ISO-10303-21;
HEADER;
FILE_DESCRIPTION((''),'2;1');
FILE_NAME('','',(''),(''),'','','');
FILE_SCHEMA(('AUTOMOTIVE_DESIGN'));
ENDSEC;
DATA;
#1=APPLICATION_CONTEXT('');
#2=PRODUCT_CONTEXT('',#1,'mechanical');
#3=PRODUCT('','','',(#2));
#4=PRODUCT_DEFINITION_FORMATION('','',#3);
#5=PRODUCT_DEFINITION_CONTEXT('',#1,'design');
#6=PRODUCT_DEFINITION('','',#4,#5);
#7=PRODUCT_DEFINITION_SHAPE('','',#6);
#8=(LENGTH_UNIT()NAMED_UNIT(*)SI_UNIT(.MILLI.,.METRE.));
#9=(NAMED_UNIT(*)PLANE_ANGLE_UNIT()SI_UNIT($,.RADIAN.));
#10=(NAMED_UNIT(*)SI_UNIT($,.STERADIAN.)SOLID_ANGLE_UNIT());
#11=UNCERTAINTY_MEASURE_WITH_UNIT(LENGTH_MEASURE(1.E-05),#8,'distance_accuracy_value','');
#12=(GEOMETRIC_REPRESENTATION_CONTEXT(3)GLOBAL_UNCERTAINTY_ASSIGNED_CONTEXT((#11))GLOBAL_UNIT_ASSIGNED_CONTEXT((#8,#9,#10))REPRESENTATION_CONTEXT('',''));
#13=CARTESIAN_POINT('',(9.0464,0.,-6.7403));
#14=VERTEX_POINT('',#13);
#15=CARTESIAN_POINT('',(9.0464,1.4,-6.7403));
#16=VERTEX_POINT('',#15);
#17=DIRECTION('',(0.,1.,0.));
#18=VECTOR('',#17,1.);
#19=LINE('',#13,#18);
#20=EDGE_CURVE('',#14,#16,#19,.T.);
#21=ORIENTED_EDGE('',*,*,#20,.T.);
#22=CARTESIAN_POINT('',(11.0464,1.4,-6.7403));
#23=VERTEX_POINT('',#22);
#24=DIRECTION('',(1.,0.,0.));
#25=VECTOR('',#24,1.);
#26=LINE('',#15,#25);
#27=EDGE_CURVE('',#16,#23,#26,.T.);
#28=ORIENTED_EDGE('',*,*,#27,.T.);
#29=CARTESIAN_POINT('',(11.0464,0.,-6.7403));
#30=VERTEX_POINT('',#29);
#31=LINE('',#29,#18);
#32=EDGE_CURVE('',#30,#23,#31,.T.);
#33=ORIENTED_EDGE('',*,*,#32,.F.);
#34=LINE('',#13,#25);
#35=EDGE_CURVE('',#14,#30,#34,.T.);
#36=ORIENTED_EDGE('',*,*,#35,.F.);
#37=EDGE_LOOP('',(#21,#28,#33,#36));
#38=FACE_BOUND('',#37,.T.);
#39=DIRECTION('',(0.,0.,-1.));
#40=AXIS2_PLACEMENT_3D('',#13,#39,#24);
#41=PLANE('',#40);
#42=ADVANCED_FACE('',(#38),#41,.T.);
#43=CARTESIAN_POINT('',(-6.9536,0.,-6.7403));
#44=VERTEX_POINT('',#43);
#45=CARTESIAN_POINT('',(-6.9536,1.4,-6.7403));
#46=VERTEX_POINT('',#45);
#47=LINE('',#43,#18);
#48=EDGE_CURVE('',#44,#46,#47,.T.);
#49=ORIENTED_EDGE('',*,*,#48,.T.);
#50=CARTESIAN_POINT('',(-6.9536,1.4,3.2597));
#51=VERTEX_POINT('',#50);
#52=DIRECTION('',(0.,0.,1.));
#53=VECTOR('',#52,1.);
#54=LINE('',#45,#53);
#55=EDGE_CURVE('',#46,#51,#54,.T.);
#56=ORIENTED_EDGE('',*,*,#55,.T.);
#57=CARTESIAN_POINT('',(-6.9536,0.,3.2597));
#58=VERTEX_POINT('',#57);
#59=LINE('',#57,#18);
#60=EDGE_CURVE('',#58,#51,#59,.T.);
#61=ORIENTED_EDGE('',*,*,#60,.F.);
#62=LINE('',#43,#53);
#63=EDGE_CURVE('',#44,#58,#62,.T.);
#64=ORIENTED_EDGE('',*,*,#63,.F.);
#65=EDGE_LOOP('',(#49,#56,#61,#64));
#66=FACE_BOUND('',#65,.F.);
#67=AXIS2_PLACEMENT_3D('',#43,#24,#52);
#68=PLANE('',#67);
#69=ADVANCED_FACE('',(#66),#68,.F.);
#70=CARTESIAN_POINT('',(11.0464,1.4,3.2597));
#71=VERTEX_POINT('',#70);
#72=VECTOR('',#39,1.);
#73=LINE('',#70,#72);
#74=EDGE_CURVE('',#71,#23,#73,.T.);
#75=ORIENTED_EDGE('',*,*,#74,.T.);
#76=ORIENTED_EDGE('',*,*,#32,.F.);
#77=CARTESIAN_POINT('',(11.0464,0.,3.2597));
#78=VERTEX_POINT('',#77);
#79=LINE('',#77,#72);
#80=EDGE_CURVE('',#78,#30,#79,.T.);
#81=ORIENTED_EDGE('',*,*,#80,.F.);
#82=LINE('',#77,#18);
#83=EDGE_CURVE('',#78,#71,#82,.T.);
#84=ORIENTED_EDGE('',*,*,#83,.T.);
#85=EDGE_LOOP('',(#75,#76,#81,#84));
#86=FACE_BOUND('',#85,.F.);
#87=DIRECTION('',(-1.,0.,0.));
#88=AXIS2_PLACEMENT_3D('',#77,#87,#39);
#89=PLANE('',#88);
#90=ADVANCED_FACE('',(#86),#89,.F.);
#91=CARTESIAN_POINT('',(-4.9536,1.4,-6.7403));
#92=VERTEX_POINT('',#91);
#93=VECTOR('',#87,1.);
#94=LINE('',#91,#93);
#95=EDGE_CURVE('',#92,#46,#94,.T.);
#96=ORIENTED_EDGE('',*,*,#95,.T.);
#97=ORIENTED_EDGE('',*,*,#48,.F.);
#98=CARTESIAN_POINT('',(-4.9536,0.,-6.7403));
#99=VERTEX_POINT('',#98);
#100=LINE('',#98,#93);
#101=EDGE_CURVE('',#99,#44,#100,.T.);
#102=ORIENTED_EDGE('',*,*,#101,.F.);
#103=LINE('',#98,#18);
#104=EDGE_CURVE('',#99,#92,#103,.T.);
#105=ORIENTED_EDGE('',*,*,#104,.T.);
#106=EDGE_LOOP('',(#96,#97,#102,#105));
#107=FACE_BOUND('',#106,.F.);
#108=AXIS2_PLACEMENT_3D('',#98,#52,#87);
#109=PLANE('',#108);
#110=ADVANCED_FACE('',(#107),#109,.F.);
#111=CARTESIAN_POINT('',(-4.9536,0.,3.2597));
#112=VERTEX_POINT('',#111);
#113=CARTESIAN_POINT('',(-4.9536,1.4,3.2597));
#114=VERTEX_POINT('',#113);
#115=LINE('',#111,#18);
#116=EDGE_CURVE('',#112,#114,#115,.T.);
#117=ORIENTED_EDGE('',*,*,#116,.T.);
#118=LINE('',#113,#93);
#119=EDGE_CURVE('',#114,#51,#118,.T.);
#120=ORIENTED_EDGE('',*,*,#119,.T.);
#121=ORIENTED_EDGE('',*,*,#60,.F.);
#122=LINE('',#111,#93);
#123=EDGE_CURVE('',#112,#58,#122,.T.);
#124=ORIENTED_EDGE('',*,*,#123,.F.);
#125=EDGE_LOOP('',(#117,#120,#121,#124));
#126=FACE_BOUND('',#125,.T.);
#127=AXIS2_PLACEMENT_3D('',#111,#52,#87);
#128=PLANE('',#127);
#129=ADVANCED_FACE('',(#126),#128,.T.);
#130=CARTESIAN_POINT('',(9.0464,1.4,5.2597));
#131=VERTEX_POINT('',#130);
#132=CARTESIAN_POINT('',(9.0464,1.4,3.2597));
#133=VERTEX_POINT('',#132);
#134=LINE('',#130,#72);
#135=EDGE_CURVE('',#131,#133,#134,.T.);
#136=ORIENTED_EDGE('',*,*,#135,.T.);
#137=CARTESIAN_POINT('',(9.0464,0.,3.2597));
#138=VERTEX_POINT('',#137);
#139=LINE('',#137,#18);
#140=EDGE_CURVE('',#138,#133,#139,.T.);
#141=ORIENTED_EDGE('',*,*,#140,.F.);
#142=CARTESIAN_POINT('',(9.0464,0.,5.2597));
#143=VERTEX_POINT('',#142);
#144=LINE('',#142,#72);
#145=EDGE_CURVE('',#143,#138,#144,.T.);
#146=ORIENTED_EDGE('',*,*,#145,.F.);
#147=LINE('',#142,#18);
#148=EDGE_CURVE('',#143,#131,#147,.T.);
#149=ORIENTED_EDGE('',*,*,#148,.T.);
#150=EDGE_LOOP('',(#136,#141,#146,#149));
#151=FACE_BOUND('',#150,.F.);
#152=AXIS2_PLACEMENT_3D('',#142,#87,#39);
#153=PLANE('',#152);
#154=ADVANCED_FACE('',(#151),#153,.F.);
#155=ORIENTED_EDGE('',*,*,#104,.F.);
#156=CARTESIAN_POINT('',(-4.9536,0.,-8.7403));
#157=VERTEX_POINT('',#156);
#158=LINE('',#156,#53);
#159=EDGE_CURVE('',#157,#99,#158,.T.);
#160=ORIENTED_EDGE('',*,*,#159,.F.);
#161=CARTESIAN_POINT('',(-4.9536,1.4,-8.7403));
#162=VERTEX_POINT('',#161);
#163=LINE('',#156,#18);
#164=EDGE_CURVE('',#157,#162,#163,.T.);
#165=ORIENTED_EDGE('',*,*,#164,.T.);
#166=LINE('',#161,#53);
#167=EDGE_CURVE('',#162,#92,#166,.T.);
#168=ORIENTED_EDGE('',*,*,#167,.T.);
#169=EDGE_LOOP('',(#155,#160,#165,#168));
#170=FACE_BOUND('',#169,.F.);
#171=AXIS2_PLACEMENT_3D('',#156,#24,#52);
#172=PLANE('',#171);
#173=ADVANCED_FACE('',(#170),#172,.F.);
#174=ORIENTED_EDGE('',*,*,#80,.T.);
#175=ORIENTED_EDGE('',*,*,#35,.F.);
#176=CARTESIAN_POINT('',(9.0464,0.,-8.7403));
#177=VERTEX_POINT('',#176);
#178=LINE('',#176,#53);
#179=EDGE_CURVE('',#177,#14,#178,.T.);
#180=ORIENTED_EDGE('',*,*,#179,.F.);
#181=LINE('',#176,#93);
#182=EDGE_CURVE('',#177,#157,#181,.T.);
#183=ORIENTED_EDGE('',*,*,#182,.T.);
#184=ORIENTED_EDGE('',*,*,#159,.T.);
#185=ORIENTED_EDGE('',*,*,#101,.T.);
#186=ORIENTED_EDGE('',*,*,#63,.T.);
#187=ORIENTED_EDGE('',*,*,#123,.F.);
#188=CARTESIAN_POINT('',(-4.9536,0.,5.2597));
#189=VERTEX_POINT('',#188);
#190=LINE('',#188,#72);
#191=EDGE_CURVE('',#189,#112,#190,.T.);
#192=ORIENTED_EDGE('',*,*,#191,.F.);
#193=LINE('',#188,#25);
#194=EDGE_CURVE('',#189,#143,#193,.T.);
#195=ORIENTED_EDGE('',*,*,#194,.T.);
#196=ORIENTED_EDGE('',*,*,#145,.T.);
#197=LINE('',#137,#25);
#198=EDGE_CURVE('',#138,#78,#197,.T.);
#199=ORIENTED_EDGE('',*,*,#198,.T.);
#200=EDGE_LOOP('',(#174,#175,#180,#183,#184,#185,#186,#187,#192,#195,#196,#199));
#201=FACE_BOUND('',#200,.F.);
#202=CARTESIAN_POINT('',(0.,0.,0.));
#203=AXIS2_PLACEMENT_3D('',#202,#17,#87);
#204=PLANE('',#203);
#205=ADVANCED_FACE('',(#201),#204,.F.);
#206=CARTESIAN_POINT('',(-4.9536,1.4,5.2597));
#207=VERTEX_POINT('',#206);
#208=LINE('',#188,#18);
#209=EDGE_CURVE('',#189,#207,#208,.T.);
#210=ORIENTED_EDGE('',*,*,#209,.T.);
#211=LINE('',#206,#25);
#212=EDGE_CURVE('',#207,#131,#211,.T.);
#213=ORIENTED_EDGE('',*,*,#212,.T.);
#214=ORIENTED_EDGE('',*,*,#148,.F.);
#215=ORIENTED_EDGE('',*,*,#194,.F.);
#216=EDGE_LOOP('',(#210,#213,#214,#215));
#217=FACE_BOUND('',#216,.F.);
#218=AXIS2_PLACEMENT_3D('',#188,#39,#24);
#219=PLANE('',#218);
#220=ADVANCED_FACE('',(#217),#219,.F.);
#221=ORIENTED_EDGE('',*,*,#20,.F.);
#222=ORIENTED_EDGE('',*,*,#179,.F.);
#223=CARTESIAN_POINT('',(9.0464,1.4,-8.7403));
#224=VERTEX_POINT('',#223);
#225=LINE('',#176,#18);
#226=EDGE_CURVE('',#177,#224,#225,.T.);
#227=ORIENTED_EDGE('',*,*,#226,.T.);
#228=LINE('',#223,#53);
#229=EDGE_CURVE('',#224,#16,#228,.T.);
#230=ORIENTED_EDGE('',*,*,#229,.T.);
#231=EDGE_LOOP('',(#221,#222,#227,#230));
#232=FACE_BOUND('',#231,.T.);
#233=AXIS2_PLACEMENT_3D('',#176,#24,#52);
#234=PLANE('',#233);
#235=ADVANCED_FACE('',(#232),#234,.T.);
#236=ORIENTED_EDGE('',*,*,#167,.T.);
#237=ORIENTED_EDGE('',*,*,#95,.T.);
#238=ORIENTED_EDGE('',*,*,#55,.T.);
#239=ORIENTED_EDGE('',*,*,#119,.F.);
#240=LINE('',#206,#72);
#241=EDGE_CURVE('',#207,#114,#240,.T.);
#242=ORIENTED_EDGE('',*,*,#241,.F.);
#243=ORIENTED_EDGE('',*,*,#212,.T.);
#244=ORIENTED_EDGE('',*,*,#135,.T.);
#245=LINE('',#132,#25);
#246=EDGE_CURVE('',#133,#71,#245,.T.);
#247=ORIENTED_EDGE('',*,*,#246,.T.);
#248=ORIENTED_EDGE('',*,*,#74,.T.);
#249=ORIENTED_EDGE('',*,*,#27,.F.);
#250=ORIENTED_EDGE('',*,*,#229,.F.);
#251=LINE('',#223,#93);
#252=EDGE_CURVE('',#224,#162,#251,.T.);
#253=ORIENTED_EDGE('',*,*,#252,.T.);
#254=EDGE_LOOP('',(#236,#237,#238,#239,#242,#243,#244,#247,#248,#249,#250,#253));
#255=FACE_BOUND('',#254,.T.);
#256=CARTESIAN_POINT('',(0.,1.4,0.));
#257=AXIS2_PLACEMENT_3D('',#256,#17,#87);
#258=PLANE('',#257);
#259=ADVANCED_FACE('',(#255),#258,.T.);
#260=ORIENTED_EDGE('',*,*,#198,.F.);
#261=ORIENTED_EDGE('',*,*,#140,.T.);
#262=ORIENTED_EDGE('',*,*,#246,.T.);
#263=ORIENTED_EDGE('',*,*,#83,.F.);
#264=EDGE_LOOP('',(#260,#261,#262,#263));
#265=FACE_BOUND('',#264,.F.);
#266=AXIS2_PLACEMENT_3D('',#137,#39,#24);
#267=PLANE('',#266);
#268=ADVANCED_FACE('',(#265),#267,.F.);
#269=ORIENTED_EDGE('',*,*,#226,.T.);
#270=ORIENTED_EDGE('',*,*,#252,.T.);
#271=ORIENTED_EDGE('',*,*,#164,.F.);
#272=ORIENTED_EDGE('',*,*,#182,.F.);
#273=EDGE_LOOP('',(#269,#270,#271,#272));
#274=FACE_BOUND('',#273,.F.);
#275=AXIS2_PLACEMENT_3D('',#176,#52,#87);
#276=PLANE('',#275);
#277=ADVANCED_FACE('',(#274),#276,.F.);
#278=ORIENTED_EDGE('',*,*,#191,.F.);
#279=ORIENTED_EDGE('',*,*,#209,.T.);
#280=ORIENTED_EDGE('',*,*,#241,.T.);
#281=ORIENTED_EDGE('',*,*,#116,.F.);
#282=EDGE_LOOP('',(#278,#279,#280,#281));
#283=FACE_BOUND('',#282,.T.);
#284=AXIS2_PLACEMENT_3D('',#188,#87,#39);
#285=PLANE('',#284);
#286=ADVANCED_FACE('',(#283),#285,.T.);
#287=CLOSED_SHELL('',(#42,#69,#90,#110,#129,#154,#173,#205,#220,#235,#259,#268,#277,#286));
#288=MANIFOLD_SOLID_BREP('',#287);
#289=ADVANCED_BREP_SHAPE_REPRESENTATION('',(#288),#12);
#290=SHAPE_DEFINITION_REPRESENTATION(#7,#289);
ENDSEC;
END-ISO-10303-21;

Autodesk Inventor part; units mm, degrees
ref_plane "YZ Plane" through (0, 0, 0) normal (1, 0, 0) x (0, 1, 0)
ref_plane "XZ Plane" through (0, 0, 0) normal (0, 1, 0) x (-1, 0, 0)
ref_plane "XY Plane" through (0, 0, 0) normal (0, 0, 1) x (1, 0, 0)
sketch "Esquisse1" plane through (0, 0, 0) normal (0, 1, 0) x (-1, 0, 0)
  line L0 (4.9536, 5.2597) -> (4.9536, 3.2597)
  line L1 (4.9536, 3.2597) -> (6.9536, 3.2597)
  line L2 (-9.0464, 5.2597) -> (-9.0464, 3.2597)
  line L3 (-9.0464, 3.2597) -> (-11.0464, 3.2597)
  line L4 (-9.0464, -8.7403) -> (-9.0464, -6.7403)
  line L5 (-9.0464, -6.7403) -> (-11.0464, -6.7403)
  line L6 (4.9536, -8.7403) -> (4.9536, -6.7403)
  line L7 (4.9536, -6.7403) -> (6.9536, -6.7403)
  line L8 (4.9536, 5.2597) -> (-9.0464, 5.2597)
  line L9 (-11.0464, 3.2597) -> (-11.0464, -6.7403)
  line L10 (-9.0464, -8.7403) -> (4.9536, -8.7403)
  line L11 (6.9536, -6.7403) -> (6.9536, 3.2597)
  point P0 (0, 0)
  dimension "d2" = 2
  dimension "d3" = 2
  dimension "d4" = 2
  dimension "d5" = 2
  dimension "d6" = 2
  dimension "d7" = 2
  dimension "d8" = 2
  dimension "d9" = 2
  dimension "d16" = 10
  dimension "d17" = 18
extrude "Extrusion1" add sketch "Esquisse1" along normal blind 1.4
properties part number "pcb"
